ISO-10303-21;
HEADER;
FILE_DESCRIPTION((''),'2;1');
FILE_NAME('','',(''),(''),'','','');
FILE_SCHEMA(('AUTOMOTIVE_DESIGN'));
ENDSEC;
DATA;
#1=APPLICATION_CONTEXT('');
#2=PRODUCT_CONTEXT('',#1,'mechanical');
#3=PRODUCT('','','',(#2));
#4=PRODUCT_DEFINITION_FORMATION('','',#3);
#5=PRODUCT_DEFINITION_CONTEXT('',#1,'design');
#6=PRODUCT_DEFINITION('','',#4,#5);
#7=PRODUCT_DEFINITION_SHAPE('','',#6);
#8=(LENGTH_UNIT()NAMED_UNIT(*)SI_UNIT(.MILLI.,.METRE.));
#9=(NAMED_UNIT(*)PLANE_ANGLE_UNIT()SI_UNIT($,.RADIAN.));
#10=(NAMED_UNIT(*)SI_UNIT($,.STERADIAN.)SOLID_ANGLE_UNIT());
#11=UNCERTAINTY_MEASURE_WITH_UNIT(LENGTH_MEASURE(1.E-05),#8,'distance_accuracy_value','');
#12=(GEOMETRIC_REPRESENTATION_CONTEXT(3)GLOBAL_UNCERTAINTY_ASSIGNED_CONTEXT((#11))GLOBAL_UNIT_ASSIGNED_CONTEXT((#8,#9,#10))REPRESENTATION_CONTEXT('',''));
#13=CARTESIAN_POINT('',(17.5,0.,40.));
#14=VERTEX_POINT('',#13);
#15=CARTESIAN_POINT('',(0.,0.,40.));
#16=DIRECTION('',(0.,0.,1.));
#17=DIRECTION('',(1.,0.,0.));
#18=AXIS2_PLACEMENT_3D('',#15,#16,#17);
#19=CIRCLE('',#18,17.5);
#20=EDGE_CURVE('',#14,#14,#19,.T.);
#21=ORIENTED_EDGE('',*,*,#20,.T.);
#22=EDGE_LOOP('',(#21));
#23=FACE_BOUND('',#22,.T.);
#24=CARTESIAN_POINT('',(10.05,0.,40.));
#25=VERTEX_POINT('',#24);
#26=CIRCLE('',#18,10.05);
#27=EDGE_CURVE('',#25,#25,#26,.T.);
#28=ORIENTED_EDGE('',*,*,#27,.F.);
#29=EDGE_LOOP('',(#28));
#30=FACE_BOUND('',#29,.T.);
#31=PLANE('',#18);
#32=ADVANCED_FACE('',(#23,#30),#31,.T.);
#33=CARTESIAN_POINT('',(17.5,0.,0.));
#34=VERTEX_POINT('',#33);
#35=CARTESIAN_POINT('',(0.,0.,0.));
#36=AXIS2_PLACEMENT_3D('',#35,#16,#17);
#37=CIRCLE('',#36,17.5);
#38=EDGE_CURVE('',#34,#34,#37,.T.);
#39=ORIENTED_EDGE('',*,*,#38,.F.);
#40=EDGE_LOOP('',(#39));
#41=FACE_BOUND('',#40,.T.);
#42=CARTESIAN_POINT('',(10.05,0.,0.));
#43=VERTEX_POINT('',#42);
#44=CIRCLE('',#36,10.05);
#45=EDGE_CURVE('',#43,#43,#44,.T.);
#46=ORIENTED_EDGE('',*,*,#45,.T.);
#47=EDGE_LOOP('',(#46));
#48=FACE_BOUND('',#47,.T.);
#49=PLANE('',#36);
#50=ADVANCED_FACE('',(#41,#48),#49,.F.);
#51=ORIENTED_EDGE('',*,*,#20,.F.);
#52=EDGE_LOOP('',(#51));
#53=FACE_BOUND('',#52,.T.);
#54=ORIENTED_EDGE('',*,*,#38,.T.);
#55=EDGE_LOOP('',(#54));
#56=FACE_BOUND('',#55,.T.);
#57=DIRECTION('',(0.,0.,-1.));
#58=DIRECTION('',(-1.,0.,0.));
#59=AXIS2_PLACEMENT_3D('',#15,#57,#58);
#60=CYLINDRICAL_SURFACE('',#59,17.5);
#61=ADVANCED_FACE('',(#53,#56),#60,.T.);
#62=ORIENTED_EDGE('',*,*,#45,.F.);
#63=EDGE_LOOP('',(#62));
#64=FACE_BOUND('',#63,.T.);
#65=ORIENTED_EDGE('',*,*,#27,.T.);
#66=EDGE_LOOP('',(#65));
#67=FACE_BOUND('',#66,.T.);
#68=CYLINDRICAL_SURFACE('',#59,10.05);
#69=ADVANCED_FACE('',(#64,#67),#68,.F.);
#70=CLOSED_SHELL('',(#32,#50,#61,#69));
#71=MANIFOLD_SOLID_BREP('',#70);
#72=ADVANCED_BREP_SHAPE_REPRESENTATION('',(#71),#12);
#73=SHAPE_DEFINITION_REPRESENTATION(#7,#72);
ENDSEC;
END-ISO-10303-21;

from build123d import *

# Parameters (mm, degrees)
ESQUISSE1_R        = 17.5
ESQUISSE1_R_2      = 10.05
BOSS_EXTRU_1_DEPTH = 40


with BuildPart() as part:
    # Esquisse1 → Boss.-Extru.1 (new body)
    with BuildSketch(Plane.XY):
        Circle(ESQUISSE1_R)
        Circle(ESQUISSE1_R_2, mode=Mode.SUBTRACT)
    extrude(amount=BOSS_EXTRU_1_DEPTH)


solid = part.part
